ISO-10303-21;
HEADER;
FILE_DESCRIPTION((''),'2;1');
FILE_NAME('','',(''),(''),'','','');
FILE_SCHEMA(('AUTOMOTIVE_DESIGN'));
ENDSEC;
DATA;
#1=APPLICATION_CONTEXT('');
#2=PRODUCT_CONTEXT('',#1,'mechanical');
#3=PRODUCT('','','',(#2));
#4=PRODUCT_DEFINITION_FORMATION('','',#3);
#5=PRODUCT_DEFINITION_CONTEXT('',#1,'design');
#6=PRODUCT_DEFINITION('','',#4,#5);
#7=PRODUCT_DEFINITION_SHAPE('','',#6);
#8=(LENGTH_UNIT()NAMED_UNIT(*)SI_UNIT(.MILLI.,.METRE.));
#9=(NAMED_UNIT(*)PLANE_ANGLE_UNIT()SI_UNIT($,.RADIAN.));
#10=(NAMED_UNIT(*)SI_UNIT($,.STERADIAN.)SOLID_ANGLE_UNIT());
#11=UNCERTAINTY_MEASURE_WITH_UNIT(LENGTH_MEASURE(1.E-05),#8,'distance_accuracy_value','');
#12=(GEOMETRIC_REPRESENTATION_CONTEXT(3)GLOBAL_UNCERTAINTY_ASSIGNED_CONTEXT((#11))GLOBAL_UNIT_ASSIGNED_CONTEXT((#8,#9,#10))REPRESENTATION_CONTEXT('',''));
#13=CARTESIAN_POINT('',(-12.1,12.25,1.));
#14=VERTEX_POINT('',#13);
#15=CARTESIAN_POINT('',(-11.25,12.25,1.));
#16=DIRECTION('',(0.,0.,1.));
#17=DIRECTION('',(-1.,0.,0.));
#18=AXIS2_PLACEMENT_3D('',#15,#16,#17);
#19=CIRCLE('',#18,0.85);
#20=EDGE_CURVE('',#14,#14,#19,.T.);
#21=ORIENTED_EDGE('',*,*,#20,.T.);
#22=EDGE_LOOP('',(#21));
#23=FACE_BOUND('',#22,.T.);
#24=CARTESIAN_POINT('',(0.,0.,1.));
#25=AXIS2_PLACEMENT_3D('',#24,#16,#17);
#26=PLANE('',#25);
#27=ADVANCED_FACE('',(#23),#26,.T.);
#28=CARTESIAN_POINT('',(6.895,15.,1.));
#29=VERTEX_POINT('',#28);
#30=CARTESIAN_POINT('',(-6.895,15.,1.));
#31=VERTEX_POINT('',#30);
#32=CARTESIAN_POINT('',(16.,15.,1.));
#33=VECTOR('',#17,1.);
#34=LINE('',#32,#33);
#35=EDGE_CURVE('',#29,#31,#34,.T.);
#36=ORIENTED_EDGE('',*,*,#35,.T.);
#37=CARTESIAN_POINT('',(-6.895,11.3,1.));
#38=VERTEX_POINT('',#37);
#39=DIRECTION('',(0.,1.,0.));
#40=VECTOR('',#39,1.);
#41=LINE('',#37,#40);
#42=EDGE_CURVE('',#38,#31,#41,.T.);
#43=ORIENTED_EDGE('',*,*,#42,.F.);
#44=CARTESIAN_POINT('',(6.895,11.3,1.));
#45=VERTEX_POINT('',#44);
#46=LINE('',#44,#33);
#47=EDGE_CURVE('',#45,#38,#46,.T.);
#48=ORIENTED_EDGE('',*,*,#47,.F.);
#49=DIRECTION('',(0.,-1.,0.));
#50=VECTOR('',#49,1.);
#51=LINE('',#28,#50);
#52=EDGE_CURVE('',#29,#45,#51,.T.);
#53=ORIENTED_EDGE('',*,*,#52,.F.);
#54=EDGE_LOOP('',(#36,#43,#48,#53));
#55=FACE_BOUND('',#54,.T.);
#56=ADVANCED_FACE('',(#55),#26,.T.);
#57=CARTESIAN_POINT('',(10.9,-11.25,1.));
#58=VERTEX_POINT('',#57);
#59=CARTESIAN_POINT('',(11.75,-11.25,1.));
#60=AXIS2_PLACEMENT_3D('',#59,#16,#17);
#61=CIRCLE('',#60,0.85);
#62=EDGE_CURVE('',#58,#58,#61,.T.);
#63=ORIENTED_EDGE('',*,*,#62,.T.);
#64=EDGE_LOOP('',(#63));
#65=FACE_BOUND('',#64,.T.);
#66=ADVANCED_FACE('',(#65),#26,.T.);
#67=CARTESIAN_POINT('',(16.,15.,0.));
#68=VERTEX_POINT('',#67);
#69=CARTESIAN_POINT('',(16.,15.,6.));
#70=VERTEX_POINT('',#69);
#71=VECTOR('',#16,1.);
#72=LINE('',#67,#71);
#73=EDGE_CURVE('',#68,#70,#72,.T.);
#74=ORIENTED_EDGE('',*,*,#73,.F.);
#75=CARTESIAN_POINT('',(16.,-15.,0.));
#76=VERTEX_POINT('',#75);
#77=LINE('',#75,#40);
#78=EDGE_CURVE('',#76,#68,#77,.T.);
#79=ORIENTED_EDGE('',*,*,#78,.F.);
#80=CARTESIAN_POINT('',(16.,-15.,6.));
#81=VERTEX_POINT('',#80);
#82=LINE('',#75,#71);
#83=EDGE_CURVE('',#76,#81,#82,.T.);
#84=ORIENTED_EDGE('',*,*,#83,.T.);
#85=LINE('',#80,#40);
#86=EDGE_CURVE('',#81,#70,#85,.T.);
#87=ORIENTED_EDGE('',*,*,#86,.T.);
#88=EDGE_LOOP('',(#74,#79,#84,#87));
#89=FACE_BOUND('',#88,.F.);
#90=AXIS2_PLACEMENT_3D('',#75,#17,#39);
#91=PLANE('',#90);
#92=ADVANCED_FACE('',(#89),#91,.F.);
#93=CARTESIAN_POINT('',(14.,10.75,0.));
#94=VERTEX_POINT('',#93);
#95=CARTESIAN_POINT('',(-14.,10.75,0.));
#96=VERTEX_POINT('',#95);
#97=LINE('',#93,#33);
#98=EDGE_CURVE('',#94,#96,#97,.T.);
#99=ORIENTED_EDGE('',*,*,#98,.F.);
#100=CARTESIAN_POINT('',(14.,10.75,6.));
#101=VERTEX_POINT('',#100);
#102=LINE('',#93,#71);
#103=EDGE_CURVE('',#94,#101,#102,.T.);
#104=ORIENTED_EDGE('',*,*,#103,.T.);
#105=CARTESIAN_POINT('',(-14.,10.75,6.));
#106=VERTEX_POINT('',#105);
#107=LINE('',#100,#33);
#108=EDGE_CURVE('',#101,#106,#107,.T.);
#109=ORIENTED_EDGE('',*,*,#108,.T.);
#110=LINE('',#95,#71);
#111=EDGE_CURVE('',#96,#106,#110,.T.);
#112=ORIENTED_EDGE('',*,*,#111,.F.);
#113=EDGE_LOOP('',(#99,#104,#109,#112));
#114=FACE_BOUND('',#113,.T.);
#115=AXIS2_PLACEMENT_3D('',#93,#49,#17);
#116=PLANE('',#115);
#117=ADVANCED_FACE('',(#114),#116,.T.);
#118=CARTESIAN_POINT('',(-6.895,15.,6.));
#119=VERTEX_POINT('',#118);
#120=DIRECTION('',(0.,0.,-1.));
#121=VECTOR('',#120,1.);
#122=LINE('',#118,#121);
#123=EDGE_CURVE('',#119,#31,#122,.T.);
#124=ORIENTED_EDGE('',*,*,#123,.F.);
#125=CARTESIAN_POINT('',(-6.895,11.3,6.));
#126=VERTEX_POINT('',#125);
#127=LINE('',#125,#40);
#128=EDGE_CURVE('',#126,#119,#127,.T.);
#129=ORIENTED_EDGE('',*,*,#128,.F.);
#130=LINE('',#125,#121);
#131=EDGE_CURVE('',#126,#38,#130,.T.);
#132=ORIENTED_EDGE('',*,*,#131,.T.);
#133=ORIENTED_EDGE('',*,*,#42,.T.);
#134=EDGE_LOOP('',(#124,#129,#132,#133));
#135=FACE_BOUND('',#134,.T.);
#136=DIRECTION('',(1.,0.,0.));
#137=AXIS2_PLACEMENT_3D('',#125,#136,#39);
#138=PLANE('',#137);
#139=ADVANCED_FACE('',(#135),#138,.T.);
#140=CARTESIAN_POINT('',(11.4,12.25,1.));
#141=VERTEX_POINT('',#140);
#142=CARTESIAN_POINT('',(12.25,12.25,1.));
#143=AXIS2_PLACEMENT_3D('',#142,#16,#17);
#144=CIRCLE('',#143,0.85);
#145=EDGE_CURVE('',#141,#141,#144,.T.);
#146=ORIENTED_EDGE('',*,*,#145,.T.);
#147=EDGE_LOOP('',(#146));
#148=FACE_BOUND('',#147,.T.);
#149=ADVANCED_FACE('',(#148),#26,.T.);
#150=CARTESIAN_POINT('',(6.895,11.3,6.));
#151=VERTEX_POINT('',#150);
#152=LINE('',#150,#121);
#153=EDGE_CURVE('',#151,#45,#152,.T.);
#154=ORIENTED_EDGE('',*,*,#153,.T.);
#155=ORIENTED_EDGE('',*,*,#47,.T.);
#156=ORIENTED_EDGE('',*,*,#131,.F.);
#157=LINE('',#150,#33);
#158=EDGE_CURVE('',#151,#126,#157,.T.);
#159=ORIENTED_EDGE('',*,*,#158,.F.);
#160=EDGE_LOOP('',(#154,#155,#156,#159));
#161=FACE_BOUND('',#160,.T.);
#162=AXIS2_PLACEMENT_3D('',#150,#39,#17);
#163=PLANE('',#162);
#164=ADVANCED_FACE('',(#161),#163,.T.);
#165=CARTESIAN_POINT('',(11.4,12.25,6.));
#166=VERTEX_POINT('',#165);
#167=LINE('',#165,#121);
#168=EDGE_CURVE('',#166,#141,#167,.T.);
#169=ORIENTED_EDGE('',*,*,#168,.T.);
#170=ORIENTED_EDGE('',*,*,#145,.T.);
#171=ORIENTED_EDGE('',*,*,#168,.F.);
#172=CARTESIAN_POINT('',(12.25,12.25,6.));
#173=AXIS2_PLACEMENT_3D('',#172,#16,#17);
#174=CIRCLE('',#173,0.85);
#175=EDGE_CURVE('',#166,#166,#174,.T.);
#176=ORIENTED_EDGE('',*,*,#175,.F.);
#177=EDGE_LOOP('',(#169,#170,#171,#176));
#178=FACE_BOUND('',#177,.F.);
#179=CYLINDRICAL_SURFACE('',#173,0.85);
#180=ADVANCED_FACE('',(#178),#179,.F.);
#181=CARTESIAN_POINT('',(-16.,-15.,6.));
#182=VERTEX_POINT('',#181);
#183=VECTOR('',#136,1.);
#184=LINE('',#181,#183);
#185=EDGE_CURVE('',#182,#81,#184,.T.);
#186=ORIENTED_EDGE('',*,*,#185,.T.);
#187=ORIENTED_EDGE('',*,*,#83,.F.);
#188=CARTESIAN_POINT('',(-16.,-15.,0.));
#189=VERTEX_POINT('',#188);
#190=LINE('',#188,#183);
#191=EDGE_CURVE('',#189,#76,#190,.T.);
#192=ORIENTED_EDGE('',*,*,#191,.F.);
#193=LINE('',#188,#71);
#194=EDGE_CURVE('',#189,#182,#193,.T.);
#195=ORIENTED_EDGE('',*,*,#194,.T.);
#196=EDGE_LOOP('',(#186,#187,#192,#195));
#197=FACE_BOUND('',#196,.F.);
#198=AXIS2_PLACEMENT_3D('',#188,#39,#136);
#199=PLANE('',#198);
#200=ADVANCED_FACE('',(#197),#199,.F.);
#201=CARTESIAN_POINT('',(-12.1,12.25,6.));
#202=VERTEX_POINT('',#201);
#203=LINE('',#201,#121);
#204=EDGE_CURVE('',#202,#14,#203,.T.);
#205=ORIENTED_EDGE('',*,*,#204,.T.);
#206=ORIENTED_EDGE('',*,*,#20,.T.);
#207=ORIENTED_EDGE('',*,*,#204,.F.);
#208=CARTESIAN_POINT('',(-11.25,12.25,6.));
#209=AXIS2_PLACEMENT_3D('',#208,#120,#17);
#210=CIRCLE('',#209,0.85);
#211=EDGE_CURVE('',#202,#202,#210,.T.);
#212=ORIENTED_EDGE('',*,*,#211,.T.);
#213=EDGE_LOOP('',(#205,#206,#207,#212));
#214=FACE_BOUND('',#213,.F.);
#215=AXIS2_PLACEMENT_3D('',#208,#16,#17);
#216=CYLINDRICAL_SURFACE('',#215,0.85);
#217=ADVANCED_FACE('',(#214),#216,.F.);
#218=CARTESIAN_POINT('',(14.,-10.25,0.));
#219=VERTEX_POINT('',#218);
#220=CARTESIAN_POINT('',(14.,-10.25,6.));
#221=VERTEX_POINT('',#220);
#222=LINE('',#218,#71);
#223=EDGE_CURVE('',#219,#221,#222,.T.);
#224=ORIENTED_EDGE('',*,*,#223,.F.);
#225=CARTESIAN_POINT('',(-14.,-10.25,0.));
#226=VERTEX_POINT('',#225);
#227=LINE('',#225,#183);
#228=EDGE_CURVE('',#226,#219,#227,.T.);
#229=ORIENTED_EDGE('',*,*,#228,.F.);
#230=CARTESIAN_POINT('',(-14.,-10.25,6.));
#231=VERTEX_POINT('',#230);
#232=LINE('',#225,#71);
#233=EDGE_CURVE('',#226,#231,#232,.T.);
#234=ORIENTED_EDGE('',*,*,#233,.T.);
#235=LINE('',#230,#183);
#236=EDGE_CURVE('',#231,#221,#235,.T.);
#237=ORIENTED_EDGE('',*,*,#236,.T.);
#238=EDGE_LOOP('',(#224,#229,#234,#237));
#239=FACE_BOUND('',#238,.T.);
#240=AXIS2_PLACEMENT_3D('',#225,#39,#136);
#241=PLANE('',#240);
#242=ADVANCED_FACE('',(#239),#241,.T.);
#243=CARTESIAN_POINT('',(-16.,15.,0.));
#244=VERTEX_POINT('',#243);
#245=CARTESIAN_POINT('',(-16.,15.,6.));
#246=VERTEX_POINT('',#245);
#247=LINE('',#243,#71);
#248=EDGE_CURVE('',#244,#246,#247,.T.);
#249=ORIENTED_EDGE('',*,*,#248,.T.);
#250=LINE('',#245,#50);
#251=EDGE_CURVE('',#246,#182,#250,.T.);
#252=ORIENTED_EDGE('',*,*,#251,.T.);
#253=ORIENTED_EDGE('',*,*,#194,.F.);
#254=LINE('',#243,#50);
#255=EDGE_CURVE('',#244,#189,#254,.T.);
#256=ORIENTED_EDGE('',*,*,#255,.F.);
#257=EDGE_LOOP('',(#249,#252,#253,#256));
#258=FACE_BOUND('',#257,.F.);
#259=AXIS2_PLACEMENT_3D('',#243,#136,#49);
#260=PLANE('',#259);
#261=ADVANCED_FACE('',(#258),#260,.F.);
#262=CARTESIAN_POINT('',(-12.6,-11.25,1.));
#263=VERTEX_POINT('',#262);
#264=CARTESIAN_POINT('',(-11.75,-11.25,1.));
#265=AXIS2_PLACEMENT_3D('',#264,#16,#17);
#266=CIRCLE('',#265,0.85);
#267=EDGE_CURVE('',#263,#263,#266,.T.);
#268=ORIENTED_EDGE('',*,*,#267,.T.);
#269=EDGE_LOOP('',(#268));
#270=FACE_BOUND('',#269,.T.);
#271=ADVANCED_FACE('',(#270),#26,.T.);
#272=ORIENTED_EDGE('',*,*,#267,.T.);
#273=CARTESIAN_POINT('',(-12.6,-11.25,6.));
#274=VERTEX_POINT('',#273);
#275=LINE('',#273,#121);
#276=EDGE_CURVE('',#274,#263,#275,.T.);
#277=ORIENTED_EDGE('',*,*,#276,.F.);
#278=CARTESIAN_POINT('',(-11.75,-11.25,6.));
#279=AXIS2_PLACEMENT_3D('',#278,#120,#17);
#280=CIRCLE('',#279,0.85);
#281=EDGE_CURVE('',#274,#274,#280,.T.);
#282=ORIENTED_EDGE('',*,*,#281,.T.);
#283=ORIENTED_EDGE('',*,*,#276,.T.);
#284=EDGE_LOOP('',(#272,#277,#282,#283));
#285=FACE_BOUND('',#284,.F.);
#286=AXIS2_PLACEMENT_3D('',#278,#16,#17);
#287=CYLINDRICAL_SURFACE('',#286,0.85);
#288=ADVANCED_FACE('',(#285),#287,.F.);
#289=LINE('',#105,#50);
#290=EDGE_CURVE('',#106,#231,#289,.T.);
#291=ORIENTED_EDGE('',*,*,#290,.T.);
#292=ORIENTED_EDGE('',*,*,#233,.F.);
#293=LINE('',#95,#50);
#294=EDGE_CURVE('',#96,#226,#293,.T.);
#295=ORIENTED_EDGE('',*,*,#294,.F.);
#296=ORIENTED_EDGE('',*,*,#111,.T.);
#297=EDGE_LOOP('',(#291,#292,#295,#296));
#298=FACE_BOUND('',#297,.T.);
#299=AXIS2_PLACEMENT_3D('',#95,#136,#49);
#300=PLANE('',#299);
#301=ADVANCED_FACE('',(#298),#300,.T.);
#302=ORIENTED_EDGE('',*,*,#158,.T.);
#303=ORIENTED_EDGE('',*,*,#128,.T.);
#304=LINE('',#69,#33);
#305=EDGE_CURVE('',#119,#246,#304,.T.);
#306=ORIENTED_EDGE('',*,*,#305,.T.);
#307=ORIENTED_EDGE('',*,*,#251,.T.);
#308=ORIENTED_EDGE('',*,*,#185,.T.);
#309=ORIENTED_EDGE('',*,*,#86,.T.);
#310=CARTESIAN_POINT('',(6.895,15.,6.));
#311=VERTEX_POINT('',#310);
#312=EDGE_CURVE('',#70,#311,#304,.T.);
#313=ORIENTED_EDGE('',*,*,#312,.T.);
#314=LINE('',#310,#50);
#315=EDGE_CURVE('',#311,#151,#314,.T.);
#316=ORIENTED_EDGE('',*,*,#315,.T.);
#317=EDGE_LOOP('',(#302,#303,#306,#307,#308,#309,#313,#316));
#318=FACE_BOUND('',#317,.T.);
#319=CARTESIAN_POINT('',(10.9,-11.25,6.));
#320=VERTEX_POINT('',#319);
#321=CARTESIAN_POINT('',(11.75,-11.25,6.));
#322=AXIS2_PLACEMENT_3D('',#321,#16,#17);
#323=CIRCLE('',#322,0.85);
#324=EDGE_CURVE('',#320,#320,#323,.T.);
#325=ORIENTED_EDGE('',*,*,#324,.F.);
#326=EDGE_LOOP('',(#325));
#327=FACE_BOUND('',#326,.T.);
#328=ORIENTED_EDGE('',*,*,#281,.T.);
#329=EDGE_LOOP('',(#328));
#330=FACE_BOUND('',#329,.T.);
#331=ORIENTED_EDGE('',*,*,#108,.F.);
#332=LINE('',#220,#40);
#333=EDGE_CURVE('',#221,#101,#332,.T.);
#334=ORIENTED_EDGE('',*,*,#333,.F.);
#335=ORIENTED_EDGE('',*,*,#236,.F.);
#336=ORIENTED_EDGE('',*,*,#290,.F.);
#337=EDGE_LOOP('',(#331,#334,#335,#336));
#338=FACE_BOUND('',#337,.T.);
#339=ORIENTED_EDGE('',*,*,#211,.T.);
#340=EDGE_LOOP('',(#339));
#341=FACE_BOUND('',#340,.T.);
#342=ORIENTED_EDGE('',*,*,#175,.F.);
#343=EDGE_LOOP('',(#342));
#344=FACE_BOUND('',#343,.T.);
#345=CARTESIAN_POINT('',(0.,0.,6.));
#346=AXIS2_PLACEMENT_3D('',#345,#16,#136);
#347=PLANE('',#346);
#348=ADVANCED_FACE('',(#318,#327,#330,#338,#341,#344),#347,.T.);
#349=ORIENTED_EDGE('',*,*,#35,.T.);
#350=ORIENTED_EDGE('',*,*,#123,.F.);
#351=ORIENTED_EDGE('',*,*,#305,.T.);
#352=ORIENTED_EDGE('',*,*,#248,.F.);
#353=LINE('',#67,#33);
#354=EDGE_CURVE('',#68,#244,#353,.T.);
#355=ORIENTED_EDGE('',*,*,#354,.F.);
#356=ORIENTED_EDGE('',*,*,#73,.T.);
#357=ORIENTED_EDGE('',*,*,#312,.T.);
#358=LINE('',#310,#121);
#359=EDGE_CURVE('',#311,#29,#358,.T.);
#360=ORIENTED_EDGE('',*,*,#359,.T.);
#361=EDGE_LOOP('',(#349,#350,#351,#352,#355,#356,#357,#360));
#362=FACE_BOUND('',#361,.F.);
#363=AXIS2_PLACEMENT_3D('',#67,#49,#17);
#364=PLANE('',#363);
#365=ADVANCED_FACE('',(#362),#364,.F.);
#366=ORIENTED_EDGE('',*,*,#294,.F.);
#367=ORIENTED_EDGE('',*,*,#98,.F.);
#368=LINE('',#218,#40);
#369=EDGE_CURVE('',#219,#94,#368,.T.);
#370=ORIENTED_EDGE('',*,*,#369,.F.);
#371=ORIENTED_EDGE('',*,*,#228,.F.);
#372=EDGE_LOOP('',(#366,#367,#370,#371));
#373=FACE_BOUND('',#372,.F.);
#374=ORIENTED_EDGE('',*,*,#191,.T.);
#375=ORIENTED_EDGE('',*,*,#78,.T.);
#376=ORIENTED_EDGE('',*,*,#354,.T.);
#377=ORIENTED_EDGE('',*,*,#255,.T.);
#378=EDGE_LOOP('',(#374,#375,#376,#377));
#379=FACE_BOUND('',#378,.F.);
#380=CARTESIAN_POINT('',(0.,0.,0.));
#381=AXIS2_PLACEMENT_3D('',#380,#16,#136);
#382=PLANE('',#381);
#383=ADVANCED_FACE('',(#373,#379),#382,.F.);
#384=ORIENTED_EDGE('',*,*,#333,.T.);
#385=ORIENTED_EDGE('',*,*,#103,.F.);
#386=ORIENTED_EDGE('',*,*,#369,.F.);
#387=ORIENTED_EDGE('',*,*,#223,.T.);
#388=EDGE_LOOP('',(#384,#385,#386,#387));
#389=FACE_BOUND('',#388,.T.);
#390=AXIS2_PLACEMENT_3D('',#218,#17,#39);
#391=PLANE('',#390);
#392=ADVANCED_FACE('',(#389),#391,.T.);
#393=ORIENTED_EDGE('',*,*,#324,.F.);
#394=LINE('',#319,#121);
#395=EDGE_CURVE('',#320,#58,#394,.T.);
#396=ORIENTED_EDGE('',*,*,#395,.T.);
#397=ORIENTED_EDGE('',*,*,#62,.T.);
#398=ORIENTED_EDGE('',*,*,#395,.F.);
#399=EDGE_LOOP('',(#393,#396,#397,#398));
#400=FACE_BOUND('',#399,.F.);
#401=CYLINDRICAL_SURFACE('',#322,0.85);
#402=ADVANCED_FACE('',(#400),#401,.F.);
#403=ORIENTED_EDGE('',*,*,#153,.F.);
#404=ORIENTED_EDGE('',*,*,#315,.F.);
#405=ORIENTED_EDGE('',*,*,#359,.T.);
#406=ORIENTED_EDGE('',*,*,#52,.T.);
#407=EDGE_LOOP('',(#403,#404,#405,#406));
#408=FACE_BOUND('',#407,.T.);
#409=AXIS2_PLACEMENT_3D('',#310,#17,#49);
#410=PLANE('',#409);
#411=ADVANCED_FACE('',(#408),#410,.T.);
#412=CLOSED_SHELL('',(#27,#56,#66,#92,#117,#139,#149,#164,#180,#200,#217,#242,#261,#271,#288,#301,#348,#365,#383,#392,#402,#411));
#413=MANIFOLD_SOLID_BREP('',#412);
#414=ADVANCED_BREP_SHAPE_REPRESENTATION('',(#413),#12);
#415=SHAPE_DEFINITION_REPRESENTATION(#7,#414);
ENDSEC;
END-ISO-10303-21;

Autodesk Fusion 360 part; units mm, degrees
sketch "Sketch1" plane through (0, 0, 0) normal (0, 0, 1) x (1, 0, 0)
  line L0 (16, 15) -> (-16, 15)
  line L1 (-16, 15) -> (-16, -15)
  line L2 (-16, -15) -> (16, -15)
  line L3 (16, -15) -> (16, 15)
  line L4 (-16, 15) -> (16, -15) construction
  line L5 (14, 10.25) -> (-14, -10.25) construction
  line L6 (-14.6684, 10.7394) -> (14, -10.25) construction
  line L7 (14, -10.25) -> (14, 10.75)
  line L8 (14, 10.75) -> (-14, 10.75)
  line L9 (-14, 10.75) -> (-14, -10.25)
  line L10 (-14, -10.25) -> (14, -10.25)
  dimension "d1" = 32
  dimension "d2" = 30
  dimension "d3" = 28
  dimension "d4" = 21
  dimension "d33" = 28
  dimension "d34" = 21
extrude "Extrude1" add sketch "Sketch1" along normal blind 6 contours L0 L1 L2 L3 | L7 L8 L9 L10
sketch "Sketch2" plane through (0, 0, 6) normal (0, 0, 1) x (-1, 0, 0)
  line L0 (-16, 15) -> (-16, -15)
  line L1 (-16, -15) -> (16, -15)
  line L2 (16, -15) -> (16, 15)
  line L3 (16, 15) -> (-16, 15)
  line L4 (6.895, -15) -> (-6.895, -15)
  line L5 (-6.895, -15) -> (-6.895, -11.3)
  line L6 (-6.895, -11.3) -> (6.895, -11.3)
  line L7 (6.895, -11.3) -> (6.895, -15)
  dimension "d7" = 13.79
  dimension "d8" = 3.7
extrude "Extrude2" cut sketch "Sketch2" against normal blind 5 contours L1 L4 L5 L6 L7
sketch "Sketch3" plane through (0, 0, 6) normal (0, 0, 1) x (-1, 0, 0)
  line L0 (6.895, -11.3) -> (6.895, -15)
  line L1 (6.895, -15) -> (16, -15)
  line L2 (16, -15) -> (16, 15)
  line L3 (16, 15) -> (-16, 15)
  line L4 (-16, 15) -> (-16, -15)
  line L5 (-16, -15) -> (-6.895, -15)
  line L6 (-6.895, -15) -> (-6.895, -11.3)
  line L7 (-6.895, -11.3) -> (6.895, -11.3)
  line L8 (-13.75, -13.75) -> (13.75, -13.75)
  line L9 (13.75, -13.75) -> (13.75, 13.75)
  line L10 (13.75, 13.75) -> (-13.75, 13.75)
  line L11 (-13.75, 13.75) -> (-13.75, -13.75)
  line L12 (-13.75, -13.75) -> (13.75, 13.75) construction
  line L13 (13.75, -13.75) -> (-13.75, 13.75) construction
  line L14 (-13.75, -13.75) -> (-12.25, -13.75)
  line L15 (-13.75, -12.25) -> (-13.75, -13.75)
  circle A0 centre (-12.25, -12.25) radius 0.85
  line L16 (13.75, -13.75) -> (11.25, -13.75)
  line L17 (13.75, -12.25) -> (13.75, -13.75)
  circle A1 centre (11.25, -12.25) radius 0.85
  line L18 (13.75, 13.75) -> (11.25, 13.75)
  line L19 (13.75, 11.25) -> (13.75, 13.75)
  circle A2 centre (11.75, 11.25) radius 0.85
  line L20 (-13.75, 13.75) -> (-12.25, 13.75)
  line L21 (-13.75, 12.25) -> (-13.75, 13.75)
  circle A3 centre (-11.75, 11.25) radius 0.85
  line L22 (8.2149, 11.25) -> (8.2149, 11.2573)
  line L23 (-13.75, 13.75) -> (-11.25, 13.75)
  line L24 (-13.75, 11.25) -> (-13.75, 13.75)
  line L25 (-13.75, -13.75) -> (-12.25, -13.75)
  line L26 (-13.75, -11.25) -> (-13.75, -13.75)
  line L27 (13.75, -13.75) -> (11.25, -13.75)
  line L28 (13.75, -11.25) -> (13.75, -13.75)
  line L29 (11.25, -12.25) -> (-12.25, -12.25)
  line L30 (-11.75, 11.25) -> (11.75, 11.25)
  dimension "d11" = 27.5
  dimension "d12" = 27.5
  dimension "d15" = 1.7
  dimension "d18" = 1.7
  dimension "d19" = 2.5
  dimension "d20" = 2.5
  dimension "d21" = 1.7
  dimension "d22" = 1.5
  dimension "d23" = 1.5
  dimension "d24" = 1.7
  dimension "d27" = 2.5
  dimension "d28" = 2.5
  dimension "d30" = 2.5
  dimension "d31" = 2.5
  dimension "d32" = 2.5
  dimension "d37" = 23.5
  dimension "d38" = 23.5
extrude "Extrude3" cut sketch "Sketch3" against normal blind 5 contours A1 | A0 | A2 | A3
extrude "Extrude4" cut sketch "Sketch1" along normal blind 6 contours L7 L8 L9 L10
